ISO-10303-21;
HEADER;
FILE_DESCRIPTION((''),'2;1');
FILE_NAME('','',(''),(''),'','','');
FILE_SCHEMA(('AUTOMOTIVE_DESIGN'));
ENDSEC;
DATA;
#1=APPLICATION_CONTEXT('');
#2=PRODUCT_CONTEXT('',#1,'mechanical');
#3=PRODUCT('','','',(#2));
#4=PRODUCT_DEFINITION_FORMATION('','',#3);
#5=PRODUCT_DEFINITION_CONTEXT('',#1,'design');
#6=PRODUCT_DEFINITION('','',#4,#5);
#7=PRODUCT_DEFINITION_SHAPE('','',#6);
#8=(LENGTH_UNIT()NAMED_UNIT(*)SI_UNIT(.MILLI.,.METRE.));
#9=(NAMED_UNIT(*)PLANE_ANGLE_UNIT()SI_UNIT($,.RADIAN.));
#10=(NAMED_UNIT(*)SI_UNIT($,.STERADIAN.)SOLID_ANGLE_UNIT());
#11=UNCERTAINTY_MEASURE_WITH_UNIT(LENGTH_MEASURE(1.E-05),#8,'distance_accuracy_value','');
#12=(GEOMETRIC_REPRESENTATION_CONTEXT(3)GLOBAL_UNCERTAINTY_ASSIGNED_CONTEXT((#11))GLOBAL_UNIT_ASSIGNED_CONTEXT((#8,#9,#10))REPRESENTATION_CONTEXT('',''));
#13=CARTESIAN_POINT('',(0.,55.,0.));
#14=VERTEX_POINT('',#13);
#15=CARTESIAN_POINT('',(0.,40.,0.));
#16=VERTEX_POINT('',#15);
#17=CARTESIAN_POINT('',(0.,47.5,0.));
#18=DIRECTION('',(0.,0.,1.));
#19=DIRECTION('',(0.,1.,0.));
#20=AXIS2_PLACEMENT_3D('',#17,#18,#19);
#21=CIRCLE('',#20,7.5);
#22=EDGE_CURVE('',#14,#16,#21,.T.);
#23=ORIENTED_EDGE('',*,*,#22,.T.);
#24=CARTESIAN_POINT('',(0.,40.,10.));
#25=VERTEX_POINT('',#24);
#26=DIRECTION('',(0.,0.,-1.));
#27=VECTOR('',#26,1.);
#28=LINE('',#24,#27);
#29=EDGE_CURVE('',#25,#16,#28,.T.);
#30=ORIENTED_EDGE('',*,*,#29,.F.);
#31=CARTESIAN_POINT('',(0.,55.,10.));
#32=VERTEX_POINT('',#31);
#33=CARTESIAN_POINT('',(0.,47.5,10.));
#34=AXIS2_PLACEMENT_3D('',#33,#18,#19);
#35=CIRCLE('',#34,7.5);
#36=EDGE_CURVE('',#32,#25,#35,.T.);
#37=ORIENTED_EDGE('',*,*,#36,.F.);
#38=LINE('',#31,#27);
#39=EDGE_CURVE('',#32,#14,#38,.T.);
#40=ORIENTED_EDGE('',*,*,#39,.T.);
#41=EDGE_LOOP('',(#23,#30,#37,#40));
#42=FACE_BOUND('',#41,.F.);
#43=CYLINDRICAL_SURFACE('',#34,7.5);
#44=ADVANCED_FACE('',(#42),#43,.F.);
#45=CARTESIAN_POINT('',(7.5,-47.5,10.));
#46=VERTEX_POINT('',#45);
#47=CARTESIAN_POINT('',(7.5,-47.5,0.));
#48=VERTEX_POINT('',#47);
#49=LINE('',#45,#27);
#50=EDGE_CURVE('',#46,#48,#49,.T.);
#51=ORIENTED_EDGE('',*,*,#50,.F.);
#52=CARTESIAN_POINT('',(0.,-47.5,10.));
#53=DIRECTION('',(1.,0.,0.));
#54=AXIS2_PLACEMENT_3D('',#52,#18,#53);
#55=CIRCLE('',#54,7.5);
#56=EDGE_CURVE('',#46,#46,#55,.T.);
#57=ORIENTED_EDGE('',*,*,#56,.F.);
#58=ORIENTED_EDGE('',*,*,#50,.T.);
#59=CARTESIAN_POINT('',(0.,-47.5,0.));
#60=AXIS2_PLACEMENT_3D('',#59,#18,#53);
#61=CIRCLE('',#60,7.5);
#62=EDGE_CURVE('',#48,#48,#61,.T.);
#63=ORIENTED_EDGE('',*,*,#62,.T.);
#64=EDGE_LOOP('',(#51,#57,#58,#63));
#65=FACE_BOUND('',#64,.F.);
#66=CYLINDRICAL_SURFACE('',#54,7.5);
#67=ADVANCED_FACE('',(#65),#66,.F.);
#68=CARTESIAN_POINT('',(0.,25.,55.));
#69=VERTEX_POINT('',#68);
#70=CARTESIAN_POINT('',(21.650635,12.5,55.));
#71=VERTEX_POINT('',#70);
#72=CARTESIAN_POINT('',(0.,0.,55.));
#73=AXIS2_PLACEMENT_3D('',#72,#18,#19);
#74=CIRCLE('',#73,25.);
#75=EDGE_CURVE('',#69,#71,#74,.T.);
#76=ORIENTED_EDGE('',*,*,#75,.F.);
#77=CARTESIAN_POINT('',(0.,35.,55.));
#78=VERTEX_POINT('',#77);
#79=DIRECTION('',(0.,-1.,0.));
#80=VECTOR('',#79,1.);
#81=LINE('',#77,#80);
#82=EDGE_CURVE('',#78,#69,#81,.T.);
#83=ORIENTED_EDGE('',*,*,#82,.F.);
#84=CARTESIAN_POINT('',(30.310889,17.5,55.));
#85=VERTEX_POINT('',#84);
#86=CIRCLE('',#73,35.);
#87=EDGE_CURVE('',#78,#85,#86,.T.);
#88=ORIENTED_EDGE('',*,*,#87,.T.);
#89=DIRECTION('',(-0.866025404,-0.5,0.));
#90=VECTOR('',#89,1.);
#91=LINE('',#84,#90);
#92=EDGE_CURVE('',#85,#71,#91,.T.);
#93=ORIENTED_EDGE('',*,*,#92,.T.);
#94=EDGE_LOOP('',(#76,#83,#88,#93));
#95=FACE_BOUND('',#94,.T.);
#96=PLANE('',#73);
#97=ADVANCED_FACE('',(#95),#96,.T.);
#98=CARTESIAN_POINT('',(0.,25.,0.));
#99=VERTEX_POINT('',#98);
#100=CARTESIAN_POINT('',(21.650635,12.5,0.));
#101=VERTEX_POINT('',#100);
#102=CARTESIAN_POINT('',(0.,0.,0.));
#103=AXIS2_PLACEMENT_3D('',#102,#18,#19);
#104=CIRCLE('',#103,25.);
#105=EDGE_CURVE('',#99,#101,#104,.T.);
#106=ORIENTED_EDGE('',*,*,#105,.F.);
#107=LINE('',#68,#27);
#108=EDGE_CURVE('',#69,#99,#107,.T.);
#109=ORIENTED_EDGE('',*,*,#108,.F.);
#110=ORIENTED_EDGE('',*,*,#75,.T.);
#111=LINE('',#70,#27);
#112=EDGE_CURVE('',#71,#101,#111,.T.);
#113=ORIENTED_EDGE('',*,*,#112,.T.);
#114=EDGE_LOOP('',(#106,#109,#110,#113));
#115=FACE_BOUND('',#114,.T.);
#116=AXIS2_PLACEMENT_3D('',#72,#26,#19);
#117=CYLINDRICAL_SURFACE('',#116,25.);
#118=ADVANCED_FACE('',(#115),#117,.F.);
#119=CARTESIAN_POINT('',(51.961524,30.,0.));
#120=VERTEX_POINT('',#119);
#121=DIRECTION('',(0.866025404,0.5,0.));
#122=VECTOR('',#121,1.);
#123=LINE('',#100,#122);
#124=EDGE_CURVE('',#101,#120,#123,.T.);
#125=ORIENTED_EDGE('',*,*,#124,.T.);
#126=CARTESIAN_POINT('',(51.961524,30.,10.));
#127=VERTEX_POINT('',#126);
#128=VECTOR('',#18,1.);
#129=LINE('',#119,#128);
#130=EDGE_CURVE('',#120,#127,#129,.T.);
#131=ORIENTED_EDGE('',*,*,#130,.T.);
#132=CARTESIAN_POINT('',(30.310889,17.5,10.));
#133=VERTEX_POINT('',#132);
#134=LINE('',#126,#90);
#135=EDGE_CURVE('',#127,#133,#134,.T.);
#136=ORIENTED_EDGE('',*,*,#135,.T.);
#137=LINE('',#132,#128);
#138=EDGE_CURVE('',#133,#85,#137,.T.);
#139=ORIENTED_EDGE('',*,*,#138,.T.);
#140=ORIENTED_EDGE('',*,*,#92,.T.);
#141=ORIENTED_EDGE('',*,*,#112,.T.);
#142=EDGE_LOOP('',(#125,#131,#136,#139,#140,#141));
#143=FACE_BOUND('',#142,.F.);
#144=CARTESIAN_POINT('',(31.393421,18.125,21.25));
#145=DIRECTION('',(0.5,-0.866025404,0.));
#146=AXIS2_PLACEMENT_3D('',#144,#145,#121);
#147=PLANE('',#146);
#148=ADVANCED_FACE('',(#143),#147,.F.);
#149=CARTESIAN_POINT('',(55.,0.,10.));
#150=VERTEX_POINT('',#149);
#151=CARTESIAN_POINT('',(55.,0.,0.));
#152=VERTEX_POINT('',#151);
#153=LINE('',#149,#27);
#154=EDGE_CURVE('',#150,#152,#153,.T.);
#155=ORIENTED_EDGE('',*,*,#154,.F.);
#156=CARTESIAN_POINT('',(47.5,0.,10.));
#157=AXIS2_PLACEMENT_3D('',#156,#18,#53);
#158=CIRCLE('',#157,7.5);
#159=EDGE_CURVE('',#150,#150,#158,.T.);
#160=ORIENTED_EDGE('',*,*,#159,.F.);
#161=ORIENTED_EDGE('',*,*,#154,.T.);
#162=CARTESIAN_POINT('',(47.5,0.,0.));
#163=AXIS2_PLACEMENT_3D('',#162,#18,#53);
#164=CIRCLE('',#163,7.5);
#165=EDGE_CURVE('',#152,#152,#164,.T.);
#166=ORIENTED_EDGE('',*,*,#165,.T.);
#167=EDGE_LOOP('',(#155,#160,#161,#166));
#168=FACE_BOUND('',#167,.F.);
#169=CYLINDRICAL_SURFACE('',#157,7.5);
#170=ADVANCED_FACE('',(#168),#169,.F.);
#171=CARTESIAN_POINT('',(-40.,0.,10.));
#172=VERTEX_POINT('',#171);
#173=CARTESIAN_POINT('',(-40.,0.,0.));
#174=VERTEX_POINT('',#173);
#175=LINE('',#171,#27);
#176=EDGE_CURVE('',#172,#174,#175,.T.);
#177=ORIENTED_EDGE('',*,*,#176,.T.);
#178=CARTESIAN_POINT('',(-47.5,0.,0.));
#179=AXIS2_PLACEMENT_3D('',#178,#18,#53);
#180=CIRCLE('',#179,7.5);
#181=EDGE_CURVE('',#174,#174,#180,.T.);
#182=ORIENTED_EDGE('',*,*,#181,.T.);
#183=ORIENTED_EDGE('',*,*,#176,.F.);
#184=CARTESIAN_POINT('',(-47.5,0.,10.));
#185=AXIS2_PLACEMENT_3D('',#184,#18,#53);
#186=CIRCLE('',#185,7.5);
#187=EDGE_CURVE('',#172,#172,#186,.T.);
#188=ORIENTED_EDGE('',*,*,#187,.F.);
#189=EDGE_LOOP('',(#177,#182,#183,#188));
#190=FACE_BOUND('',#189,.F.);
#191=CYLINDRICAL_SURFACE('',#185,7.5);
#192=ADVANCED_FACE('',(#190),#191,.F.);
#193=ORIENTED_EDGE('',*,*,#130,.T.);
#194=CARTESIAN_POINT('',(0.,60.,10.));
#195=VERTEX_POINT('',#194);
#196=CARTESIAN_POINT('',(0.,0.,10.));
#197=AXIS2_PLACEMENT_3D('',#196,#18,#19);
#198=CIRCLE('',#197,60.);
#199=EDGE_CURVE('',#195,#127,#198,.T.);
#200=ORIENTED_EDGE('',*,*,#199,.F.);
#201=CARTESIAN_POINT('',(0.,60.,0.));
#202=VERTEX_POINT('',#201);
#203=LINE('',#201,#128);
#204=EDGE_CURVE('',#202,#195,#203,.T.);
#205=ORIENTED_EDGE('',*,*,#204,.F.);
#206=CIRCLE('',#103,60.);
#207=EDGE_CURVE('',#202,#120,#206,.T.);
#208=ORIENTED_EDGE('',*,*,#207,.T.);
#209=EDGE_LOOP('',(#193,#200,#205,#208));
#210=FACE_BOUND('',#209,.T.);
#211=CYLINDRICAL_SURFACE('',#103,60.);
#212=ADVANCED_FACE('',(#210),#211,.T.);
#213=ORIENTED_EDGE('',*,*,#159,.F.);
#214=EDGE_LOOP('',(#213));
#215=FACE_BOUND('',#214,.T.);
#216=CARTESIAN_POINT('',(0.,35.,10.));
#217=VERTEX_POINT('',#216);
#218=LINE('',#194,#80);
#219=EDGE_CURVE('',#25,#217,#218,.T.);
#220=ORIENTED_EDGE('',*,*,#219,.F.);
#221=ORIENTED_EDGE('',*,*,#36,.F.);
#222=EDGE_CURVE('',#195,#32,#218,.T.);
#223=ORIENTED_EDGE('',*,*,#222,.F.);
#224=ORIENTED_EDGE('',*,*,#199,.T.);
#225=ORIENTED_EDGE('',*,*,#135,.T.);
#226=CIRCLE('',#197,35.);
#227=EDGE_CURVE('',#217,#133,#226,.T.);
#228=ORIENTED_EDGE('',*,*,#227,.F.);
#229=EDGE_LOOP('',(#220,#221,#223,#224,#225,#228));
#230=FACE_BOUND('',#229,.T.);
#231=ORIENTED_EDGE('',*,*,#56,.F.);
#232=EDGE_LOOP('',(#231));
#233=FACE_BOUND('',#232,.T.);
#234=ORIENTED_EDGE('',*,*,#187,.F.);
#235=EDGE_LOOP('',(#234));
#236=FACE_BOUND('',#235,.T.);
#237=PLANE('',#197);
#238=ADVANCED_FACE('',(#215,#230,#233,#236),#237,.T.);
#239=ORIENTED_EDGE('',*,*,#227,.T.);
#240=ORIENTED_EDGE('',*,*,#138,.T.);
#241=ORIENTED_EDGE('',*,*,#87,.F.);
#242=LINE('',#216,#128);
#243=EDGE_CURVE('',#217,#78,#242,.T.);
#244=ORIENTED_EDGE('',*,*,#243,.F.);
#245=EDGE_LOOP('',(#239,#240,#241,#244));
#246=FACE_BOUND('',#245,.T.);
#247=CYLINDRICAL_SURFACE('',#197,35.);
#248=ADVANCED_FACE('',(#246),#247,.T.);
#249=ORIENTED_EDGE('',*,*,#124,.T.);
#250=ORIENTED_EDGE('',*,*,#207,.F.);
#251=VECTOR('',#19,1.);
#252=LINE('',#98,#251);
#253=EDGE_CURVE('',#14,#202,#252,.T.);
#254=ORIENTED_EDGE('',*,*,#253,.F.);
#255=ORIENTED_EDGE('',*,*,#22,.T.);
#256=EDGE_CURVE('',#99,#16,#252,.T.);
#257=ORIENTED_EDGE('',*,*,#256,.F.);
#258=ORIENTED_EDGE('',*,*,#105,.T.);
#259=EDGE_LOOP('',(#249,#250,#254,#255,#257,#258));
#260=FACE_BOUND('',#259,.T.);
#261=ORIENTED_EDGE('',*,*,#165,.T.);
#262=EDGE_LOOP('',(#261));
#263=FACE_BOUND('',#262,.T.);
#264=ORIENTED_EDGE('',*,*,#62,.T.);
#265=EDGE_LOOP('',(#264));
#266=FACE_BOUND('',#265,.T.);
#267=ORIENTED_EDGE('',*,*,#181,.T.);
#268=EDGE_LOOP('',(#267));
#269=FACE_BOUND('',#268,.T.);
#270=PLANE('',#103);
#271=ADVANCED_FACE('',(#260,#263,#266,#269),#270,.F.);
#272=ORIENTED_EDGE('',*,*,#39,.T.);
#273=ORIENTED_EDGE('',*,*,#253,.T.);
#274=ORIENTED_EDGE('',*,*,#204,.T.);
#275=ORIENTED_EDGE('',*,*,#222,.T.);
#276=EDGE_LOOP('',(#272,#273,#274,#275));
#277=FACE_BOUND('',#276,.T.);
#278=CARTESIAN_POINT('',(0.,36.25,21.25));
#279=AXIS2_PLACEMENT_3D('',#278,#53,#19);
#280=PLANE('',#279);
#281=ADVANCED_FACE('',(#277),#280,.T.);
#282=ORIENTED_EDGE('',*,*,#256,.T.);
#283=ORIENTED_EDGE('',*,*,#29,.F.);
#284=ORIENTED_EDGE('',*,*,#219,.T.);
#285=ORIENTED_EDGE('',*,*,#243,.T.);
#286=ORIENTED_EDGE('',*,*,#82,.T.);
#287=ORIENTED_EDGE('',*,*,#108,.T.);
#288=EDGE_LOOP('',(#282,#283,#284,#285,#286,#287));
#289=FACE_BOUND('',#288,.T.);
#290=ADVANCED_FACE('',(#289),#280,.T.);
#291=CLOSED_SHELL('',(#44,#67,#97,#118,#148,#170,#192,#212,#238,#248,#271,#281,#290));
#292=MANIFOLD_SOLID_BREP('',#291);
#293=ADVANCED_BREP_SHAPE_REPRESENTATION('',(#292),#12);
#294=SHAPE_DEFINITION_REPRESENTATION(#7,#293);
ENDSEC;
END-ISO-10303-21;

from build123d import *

# Parameters (mm, degrees)
F1_ANGLE = 300
F2_R     = 7.5
F3_DEPTH = 10.001


with BuildPart() as f1:
    # F0 (on Right) → F1 (revolve)
    with BuildSketch(Plane.YZ):
        Polygon((25, 55), (25, 0), (60, 0), (60, 10), (35, 10), (35, 55), align=None)
    revolve(axis=Axis((0, 0, 25.252745), (0, 0, 1)), revolution_arc=F1_ANGLE)

    # F2 (on face) → F3 (cut, through all)
    with BuildSketch(Plane.XY.offset(10)):
        with Locations((-47.5, 0)):
            Circle(F2_R)
        with Locations((47.5, 0)):
            Circle(F2_R)
        with BuildLine():
            Line((0, 40), (0, 55))
            ThreePointArc((0, 55), (-7.5, 47.5), (0, 40))
        make_face()
        with BuildLine():
            ThreePointArc((0, 40), (5.303301, 42.196699), (7.5, 47.5))
            ThreePointArc((7.5, 47.5), (5.303301, 52.803301), (0, 55))
            Line((0, 55), (0, 40))
        make_face()
        with Locations((0, -47.5)):
            Circle(F2_R)
    extrude(amount=-F3_DEPTH, mode=Mode.SUBTRACT)


solid = f1.part
